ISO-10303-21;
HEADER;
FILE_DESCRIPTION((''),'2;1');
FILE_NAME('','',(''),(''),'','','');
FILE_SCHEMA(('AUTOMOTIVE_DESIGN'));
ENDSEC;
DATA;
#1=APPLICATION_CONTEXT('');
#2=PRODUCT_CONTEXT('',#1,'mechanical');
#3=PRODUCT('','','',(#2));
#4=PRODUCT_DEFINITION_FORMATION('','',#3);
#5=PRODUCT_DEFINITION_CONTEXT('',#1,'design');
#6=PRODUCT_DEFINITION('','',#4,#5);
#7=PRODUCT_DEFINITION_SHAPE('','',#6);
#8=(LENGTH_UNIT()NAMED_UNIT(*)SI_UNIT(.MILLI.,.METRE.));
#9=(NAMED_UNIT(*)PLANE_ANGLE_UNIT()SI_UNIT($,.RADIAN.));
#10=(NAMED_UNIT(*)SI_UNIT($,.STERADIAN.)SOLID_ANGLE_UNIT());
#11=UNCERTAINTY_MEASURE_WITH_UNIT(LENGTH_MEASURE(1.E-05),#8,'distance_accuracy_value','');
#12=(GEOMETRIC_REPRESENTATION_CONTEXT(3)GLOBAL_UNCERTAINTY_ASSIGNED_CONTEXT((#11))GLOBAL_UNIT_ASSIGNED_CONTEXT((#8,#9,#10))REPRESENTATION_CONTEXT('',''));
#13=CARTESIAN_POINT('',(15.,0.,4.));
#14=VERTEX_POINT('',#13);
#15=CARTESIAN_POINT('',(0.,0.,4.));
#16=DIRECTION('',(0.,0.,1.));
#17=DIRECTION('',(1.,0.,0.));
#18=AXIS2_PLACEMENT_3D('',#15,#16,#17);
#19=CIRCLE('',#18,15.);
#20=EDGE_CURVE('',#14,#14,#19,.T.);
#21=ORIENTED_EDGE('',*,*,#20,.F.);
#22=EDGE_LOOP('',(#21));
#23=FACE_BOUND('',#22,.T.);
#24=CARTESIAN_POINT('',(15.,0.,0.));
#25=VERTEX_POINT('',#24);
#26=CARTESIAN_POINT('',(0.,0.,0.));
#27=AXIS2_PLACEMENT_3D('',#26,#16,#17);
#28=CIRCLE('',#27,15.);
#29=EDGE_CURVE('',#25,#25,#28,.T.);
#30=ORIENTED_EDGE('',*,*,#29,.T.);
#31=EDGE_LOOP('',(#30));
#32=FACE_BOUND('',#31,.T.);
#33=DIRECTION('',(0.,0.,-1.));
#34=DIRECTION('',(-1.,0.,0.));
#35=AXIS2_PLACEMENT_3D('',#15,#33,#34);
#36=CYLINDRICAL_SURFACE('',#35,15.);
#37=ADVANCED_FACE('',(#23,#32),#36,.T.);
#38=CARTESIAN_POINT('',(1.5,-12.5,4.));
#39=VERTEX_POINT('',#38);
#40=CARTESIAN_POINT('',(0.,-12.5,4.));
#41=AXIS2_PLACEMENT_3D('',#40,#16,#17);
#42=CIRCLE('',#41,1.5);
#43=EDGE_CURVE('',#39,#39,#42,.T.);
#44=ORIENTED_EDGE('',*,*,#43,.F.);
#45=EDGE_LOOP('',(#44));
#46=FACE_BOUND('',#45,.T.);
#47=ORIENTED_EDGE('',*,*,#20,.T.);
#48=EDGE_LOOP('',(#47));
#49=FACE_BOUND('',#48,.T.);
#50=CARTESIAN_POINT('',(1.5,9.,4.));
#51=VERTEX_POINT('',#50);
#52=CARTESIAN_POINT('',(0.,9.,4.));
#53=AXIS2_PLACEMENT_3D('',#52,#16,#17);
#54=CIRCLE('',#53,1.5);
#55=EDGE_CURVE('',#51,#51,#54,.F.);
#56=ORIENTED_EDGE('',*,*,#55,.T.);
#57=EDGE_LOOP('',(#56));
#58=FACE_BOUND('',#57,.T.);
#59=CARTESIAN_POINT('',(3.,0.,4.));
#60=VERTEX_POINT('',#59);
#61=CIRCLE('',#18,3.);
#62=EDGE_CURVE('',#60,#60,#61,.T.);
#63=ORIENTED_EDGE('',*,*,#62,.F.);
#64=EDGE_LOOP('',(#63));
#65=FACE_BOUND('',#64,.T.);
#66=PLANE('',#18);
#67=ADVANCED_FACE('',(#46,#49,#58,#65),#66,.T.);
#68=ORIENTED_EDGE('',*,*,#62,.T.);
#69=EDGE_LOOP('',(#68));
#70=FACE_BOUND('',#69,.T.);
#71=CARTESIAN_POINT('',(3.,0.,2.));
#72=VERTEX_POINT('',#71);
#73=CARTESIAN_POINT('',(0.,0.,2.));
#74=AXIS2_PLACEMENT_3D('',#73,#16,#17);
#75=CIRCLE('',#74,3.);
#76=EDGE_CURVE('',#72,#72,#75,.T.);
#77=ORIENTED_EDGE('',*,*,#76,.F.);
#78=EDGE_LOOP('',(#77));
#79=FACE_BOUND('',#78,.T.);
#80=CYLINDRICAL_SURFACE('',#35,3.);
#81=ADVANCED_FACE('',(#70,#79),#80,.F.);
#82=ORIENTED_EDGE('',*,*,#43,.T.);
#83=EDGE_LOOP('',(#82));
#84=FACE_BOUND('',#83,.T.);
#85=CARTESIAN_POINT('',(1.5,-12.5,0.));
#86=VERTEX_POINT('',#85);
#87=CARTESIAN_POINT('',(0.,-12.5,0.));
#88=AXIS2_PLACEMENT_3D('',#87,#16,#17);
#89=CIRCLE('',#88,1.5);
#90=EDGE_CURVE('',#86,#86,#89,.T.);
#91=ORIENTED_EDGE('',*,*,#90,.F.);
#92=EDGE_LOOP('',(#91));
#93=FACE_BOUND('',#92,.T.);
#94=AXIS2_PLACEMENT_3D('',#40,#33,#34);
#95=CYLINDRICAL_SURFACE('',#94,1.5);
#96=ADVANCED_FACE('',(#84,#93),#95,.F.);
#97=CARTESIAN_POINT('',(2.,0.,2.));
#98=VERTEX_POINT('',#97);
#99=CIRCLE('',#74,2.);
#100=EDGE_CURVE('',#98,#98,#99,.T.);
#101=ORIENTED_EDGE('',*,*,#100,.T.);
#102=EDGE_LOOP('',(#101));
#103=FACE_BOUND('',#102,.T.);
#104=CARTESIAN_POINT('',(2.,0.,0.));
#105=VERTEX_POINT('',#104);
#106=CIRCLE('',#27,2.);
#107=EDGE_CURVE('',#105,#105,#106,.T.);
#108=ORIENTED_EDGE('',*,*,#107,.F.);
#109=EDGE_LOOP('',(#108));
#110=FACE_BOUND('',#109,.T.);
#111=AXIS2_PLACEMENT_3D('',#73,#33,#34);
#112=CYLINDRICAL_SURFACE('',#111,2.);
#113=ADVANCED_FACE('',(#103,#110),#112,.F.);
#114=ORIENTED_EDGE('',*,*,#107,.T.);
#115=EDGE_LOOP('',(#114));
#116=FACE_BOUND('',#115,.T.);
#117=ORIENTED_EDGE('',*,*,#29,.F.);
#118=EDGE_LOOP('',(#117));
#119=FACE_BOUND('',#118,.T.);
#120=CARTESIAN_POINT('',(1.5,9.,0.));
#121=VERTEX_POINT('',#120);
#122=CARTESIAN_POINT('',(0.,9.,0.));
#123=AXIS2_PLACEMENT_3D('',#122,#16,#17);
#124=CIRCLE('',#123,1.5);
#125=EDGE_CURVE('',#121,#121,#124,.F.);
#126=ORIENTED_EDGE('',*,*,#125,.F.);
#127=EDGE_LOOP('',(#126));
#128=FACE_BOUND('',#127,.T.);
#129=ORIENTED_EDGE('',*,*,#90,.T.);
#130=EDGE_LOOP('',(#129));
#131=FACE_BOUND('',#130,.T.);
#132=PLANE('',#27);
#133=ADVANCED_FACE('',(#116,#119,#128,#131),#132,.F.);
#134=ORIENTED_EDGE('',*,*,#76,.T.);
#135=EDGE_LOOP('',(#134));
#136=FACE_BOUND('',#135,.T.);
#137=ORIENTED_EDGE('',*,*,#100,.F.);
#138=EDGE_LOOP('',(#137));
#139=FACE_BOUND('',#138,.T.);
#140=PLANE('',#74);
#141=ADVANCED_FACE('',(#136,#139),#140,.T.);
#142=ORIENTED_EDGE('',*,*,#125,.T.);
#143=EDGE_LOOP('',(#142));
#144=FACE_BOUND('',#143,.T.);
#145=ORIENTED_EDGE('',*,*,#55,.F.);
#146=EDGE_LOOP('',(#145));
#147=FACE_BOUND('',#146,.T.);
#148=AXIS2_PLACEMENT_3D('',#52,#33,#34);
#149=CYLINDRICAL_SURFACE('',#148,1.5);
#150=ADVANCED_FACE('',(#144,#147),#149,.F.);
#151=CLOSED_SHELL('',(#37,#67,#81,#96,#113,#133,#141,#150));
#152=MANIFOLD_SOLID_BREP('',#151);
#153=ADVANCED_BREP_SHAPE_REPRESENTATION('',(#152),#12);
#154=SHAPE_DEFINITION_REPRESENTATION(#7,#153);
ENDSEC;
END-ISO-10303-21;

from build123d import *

# Parameters (mm, degrees)
SKETCH1_R           = 15
SKETCH1_R_2         = 1.5
SKETCH1_R_3         = 3
BOSS_EXTRUDE1_DEPTH = 4
SKETCH1_3_R         = 3
SKETCH1_3_R_2       = 2
BOSS_EXTRUDE2_DEPTH = 2


with BuildPart() as part:
    # Sketch1 → Boss-Extrude1 (new body)
    with BuildSketch(Plane.XY):
        Circle(SKETCH1_R)
        with Locations((0, -12.5)):
            Circle(SKETCH1_R_2, mode=Mode.SUBTRACT)
        Circle(SKETCH1_R_3, mode=Mode.SUBTRACT)
        with Locations((0, 9)):
            Circle(SKETCH1_R_2, mode=Mode.SUBTRACT)
    extrude(amount=BOSS_EXTRUDE1_DEPTH)

    # Sketch1<3> → Boss-Extrude2 (add)
    with BuildSketch(Plane.XY):
        Circle(SKETCH1_3_R)
        Circle(SKETCH1_3_R_2, mode=Mode.SUBTRACT)
    extrude(amount=BOSS_EXTRUDE2_DEPTH)


solid = part.part
